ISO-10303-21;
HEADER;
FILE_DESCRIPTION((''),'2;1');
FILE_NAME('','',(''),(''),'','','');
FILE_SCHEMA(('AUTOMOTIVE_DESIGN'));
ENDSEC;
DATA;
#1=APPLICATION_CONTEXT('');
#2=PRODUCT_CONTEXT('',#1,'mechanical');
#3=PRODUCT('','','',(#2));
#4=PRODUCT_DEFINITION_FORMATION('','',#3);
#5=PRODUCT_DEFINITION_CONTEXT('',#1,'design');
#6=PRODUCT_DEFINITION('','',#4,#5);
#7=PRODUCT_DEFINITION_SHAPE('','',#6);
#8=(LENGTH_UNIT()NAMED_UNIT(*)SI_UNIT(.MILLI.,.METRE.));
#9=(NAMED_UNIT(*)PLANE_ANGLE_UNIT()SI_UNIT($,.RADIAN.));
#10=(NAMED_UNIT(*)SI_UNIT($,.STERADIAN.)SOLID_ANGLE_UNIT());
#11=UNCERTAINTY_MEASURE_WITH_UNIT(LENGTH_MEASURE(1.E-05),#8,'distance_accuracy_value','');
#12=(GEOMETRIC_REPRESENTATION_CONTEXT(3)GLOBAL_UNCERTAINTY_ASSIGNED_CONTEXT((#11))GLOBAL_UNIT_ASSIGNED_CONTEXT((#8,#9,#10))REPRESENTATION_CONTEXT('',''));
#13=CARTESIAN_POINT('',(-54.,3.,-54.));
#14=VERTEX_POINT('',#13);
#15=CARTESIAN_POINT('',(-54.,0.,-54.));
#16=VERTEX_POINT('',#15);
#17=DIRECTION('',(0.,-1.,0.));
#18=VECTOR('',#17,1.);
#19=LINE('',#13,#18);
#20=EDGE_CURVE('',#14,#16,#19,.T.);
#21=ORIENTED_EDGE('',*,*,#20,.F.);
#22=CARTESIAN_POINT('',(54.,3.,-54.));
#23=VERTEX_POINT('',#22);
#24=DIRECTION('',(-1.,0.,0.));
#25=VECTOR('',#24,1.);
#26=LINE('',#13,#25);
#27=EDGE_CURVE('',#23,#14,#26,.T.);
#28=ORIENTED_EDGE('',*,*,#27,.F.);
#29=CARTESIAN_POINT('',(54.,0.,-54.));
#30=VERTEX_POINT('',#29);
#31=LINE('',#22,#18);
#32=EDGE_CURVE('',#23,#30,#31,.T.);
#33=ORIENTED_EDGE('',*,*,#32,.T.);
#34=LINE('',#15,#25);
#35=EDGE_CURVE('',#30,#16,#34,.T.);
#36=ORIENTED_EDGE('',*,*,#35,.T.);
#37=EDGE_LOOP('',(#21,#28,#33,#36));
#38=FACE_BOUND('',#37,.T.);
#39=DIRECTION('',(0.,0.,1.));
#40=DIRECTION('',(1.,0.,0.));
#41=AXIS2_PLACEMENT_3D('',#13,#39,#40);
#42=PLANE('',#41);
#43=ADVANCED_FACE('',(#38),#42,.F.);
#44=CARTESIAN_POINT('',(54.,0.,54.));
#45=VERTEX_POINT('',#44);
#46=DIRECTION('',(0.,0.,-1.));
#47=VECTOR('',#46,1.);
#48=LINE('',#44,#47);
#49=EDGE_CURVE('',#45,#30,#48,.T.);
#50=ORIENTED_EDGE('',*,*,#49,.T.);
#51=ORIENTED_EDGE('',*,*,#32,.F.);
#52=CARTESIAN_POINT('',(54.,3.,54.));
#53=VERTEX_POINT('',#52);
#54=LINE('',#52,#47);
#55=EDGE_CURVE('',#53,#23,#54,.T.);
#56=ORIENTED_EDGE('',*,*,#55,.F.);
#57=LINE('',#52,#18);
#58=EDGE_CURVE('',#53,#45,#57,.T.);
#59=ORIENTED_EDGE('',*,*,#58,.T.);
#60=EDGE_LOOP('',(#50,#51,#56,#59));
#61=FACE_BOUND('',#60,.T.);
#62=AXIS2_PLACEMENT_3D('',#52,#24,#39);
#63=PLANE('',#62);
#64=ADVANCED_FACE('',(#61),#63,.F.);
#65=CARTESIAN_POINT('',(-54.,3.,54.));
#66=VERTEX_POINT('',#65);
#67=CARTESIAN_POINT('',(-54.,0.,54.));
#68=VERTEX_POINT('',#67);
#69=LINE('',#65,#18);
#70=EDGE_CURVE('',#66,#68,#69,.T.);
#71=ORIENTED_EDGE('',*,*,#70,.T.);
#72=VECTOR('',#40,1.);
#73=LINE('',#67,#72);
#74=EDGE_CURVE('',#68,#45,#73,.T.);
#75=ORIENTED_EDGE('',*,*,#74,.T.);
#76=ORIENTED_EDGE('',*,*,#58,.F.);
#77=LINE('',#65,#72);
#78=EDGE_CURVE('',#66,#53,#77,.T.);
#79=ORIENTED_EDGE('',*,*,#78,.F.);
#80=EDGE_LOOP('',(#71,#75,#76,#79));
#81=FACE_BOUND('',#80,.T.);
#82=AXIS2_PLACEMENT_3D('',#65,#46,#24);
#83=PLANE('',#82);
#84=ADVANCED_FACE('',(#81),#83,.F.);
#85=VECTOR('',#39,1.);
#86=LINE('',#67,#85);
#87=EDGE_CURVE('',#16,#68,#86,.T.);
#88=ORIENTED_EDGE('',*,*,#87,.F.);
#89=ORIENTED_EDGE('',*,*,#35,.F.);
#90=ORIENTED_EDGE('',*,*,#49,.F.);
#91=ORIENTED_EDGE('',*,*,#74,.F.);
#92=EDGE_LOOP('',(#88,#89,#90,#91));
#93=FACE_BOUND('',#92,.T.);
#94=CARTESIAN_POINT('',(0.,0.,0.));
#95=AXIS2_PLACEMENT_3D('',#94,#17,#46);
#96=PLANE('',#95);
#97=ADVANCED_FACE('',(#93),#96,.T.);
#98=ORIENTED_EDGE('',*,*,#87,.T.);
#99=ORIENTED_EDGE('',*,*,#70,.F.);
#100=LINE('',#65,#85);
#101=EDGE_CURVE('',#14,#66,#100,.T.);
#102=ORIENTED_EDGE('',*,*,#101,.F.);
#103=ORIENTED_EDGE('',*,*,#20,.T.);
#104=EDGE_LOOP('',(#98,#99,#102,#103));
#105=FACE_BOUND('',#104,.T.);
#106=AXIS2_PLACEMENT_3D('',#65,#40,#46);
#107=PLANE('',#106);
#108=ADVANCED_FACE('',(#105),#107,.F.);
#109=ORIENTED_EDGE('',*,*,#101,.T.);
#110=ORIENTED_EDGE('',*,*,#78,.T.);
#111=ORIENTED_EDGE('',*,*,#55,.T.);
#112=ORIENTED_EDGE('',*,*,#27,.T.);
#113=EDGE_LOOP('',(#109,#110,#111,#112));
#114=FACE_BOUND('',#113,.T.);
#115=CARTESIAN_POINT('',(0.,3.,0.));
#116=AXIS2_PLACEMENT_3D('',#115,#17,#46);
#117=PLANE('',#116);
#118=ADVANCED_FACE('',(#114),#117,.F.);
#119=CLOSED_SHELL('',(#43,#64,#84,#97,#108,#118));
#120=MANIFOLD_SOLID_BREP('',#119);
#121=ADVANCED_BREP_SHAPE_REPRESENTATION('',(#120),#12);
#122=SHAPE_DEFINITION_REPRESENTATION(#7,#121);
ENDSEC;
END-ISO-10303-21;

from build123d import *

# Parameters (mm, degrees)
SKETCH_1_W      = 108
SKETCH_1_H      = 108
EXTRUDE_1_DEPTH = 3


with BuildPart() as part:
    # 스케치1 → 보스-돌출1 (new body)
    with BuildSketch(Plane(origin=(0, 0, 0), x_dir=(1, 0, 0), z_dir=(0, 1, 0))):
        Rectangle(SKETCH_1_W, SKETCH_1_H)
    extrude(amount=EXTRUDE_1_DEPTH)


solid = part.part
